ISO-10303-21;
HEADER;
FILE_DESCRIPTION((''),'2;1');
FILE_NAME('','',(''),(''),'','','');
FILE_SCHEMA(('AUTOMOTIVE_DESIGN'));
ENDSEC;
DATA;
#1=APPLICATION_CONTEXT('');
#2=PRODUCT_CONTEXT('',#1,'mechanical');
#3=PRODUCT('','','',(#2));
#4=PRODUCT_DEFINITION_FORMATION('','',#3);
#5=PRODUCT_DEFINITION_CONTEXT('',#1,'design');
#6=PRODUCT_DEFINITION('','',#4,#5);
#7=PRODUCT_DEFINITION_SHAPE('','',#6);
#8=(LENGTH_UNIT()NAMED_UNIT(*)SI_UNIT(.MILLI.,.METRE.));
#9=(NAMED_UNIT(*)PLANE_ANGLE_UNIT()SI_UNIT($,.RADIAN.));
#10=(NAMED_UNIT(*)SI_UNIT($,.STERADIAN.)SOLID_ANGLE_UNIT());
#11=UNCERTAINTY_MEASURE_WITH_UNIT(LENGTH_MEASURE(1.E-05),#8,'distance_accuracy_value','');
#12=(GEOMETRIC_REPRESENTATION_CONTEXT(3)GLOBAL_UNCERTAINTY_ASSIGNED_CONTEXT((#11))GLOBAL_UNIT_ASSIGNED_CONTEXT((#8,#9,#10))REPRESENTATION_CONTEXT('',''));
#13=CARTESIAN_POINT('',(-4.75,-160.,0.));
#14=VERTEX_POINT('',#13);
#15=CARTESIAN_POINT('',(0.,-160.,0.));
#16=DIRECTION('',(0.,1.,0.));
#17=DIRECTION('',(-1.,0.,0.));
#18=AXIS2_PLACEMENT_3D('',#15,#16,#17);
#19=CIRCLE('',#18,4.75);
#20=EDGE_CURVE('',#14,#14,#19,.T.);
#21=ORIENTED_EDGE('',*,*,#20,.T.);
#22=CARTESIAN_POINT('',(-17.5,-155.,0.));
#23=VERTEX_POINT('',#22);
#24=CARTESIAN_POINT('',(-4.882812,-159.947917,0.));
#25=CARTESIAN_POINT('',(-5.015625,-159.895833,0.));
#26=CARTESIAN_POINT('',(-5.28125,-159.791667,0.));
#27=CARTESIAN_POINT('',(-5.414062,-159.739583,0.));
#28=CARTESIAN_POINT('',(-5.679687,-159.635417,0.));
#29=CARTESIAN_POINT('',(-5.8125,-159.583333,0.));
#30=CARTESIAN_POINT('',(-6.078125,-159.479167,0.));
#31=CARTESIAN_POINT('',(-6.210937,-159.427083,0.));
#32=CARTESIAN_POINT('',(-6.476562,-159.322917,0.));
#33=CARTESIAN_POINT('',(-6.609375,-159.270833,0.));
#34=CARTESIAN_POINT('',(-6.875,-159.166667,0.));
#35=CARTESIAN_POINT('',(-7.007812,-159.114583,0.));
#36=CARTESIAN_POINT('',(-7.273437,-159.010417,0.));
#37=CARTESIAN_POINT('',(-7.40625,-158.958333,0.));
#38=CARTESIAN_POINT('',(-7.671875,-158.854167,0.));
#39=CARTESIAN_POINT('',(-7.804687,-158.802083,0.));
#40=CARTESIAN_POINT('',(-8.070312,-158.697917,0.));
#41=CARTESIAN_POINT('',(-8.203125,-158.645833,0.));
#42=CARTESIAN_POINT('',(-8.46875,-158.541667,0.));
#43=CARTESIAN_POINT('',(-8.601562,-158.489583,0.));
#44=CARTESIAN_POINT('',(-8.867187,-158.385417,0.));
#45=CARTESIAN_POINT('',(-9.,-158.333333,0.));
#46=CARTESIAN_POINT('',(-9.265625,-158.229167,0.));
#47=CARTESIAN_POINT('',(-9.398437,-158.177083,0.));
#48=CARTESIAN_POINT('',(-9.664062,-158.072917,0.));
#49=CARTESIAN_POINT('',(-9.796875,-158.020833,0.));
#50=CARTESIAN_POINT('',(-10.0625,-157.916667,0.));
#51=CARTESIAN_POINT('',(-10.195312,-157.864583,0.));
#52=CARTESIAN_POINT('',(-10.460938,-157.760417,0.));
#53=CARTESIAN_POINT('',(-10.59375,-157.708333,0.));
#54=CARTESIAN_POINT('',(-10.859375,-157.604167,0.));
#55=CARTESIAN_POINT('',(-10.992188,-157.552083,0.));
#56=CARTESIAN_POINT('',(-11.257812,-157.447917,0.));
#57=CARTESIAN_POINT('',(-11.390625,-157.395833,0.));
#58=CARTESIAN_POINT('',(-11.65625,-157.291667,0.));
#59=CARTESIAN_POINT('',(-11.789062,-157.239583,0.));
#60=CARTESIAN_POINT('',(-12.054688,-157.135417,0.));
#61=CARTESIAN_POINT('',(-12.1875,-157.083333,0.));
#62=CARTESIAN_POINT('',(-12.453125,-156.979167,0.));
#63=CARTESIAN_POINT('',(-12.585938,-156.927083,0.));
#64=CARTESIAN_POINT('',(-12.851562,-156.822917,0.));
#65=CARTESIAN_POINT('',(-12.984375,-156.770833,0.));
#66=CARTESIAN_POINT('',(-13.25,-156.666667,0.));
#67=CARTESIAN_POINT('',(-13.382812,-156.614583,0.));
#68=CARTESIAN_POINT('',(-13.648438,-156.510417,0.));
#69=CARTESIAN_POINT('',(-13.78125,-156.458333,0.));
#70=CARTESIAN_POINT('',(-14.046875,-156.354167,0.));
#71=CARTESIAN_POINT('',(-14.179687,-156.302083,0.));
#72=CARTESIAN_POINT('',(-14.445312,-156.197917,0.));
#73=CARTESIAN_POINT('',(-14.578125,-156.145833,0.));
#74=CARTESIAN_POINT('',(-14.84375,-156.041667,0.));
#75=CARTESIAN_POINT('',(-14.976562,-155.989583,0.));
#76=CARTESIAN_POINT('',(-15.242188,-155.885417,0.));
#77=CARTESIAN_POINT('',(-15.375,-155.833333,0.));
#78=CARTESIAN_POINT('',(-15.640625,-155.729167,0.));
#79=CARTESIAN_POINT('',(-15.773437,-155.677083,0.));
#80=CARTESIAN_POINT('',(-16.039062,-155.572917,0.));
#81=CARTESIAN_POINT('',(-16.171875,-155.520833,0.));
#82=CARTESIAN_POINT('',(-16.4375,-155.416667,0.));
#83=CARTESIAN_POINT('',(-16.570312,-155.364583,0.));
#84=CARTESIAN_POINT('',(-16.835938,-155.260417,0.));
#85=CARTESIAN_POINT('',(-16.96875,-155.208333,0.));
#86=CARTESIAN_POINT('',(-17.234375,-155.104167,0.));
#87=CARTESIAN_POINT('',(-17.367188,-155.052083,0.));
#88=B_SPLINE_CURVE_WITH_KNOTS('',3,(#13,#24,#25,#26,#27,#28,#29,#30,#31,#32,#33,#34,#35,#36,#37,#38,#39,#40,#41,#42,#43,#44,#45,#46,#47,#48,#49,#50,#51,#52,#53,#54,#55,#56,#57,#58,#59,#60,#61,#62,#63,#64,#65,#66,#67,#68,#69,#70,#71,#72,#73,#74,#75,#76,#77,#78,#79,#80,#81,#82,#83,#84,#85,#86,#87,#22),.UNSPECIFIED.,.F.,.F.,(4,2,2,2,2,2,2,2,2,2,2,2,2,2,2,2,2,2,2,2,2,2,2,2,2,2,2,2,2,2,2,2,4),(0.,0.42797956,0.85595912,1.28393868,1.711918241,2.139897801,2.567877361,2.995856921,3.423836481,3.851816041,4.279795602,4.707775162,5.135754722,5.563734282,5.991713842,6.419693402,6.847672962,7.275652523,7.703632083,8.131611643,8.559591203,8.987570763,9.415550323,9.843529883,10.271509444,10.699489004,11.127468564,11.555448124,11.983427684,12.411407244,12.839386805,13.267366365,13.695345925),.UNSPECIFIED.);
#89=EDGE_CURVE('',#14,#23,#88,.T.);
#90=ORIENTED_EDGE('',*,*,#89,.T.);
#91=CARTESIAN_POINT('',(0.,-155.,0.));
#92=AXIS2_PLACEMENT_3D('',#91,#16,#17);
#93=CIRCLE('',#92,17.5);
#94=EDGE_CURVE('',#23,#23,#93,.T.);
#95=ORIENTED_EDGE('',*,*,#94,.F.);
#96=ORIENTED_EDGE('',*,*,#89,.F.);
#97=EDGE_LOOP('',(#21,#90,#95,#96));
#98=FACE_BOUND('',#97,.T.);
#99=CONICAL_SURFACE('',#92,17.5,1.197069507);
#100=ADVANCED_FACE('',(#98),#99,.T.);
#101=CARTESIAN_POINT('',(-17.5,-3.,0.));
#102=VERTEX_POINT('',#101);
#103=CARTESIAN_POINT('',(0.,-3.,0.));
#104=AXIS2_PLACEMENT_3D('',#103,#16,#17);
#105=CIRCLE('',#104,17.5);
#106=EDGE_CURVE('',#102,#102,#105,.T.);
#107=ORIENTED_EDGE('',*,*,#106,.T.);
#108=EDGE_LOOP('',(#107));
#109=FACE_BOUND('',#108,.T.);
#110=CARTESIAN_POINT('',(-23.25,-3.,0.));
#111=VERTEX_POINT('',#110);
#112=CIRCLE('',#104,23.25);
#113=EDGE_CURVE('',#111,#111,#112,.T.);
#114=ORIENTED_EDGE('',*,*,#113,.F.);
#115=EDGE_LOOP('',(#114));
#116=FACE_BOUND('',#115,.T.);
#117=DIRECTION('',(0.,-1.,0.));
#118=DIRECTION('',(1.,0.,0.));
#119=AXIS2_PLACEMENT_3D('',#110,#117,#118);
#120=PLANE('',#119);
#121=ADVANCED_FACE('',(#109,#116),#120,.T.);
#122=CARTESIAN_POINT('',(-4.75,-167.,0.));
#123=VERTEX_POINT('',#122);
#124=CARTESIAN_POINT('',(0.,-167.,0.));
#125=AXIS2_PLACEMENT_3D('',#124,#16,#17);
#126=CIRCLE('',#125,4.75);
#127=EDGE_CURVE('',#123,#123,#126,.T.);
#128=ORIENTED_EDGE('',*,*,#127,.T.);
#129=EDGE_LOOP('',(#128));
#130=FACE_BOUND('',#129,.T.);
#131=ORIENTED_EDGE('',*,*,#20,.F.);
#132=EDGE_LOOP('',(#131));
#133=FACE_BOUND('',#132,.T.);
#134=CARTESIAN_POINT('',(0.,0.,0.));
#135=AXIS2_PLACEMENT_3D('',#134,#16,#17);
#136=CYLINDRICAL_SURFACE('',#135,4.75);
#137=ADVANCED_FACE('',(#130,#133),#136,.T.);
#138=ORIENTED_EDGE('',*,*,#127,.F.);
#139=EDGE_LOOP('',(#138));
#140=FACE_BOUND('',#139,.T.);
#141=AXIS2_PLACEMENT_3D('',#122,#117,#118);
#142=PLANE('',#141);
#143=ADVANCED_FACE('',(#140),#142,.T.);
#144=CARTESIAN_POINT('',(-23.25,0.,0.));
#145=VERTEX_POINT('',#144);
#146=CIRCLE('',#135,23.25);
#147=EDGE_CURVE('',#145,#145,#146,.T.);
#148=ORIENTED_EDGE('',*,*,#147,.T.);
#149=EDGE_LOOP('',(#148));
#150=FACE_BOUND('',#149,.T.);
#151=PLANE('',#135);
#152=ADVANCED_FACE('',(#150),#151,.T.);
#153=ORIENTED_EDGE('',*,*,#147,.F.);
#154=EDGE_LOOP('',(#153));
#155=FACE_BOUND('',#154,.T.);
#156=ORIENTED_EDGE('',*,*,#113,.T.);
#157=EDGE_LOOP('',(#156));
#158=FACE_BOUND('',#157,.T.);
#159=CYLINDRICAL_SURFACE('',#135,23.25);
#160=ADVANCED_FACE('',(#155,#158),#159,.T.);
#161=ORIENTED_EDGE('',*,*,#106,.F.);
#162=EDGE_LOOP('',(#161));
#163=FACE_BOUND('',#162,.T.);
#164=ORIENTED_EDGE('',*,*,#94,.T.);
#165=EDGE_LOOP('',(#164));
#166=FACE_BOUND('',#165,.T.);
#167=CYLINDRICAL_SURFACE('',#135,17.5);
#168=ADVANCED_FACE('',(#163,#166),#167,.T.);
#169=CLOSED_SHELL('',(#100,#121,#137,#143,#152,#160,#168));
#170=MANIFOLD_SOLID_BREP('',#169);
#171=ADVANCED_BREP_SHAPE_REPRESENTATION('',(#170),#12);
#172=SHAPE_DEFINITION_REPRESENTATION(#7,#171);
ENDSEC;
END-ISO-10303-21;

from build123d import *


with BuildPart() as part:
    # Szkic1 → Obrót1 (revolve)
    with BuildSketch(Plane.XY):
        Polygon((0, 0), (-23.25, 0), (-23.25, -3), (-17.5, -3), (-17.5, -155), (-4.75, -160), (-4.75, -167), (0, -167), align=None)
    revolve(axis=Axis((0, 0, 0), (0, -1, 0)))


solid = part.part
